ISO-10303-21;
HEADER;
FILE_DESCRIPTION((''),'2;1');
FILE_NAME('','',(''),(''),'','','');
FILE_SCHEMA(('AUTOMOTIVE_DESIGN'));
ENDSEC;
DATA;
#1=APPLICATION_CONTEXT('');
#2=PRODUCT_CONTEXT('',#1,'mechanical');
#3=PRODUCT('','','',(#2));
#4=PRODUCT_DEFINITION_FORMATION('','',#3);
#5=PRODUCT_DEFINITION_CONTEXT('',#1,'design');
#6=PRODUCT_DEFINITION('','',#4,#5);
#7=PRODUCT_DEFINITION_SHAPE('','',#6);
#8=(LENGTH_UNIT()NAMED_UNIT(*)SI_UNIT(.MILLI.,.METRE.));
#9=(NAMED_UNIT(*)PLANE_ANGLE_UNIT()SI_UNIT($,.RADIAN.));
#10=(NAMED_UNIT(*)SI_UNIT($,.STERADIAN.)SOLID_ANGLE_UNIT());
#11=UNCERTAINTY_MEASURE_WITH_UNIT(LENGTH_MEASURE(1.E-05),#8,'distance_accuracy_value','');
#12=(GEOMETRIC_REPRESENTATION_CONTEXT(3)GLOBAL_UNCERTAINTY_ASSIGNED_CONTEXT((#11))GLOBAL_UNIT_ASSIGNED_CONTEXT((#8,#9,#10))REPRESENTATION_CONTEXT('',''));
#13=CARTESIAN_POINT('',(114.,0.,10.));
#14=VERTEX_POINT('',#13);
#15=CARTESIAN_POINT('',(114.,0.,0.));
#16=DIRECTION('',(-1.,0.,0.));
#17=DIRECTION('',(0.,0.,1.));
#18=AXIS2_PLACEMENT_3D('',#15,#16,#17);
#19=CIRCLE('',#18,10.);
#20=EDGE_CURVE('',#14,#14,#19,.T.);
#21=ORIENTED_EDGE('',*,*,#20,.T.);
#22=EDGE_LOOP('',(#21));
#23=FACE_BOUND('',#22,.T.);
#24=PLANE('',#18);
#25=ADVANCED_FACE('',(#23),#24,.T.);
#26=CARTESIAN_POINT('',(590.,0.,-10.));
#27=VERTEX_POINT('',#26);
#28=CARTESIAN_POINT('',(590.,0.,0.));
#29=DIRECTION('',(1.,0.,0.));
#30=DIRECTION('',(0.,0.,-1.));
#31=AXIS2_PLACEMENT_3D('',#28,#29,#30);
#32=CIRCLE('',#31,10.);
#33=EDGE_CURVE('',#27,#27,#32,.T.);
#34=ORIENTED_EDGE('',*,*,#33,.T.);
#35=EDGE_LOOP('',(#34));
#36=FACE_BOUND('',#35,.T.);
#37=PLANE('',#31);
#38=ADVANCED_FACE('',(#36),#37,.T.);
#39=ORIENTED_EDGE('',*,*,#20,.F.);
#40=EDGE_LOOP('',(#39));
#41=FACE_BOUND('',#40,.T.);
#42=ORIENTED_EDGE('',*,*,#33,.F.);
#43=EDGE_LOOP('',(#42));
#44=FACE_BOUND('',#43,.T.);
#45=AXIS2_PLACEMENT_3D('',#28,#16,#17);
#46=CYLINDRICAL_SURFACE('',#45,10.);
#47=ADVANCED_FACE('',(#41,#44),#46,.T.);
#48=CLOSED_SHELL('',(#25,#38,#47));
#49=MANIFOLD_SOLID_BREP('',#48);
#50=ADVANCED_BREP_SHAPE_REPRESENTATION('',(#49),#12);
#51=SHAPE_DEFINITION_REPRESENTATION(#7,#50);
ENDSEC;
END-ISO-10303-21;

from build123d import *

# Parameters (mm, degrees)
SKETCH1_R           = 10
BOSS_EXTRUDE1_DEPTH = 590
SKETCH2_R           = 114
CUT_EXTRUDE1_DEPTH  = 114


with BuildPart() as part:
    # Sketch1 → Boss-Extrude1 (new body)
    with BuildSketch(Plane(origin=(0, 0, 0), x_dir=(0, 0, -1), z_dir=(1, 0, 0))):
        Circle(SKETCH1_R)
    extrude(amount=BOSS_EXTRUDE1_DEPTH)

    # Sketch2 → Cut-Extrude1 (cut)
    with BuildSketch(Plane.ZY):
        Circle(SKETCH2_R)
    extrude(amount=-CUT_EXTRUDE1_DEPTH, mode=Mode.SUBTRACT)


solid = part.part
